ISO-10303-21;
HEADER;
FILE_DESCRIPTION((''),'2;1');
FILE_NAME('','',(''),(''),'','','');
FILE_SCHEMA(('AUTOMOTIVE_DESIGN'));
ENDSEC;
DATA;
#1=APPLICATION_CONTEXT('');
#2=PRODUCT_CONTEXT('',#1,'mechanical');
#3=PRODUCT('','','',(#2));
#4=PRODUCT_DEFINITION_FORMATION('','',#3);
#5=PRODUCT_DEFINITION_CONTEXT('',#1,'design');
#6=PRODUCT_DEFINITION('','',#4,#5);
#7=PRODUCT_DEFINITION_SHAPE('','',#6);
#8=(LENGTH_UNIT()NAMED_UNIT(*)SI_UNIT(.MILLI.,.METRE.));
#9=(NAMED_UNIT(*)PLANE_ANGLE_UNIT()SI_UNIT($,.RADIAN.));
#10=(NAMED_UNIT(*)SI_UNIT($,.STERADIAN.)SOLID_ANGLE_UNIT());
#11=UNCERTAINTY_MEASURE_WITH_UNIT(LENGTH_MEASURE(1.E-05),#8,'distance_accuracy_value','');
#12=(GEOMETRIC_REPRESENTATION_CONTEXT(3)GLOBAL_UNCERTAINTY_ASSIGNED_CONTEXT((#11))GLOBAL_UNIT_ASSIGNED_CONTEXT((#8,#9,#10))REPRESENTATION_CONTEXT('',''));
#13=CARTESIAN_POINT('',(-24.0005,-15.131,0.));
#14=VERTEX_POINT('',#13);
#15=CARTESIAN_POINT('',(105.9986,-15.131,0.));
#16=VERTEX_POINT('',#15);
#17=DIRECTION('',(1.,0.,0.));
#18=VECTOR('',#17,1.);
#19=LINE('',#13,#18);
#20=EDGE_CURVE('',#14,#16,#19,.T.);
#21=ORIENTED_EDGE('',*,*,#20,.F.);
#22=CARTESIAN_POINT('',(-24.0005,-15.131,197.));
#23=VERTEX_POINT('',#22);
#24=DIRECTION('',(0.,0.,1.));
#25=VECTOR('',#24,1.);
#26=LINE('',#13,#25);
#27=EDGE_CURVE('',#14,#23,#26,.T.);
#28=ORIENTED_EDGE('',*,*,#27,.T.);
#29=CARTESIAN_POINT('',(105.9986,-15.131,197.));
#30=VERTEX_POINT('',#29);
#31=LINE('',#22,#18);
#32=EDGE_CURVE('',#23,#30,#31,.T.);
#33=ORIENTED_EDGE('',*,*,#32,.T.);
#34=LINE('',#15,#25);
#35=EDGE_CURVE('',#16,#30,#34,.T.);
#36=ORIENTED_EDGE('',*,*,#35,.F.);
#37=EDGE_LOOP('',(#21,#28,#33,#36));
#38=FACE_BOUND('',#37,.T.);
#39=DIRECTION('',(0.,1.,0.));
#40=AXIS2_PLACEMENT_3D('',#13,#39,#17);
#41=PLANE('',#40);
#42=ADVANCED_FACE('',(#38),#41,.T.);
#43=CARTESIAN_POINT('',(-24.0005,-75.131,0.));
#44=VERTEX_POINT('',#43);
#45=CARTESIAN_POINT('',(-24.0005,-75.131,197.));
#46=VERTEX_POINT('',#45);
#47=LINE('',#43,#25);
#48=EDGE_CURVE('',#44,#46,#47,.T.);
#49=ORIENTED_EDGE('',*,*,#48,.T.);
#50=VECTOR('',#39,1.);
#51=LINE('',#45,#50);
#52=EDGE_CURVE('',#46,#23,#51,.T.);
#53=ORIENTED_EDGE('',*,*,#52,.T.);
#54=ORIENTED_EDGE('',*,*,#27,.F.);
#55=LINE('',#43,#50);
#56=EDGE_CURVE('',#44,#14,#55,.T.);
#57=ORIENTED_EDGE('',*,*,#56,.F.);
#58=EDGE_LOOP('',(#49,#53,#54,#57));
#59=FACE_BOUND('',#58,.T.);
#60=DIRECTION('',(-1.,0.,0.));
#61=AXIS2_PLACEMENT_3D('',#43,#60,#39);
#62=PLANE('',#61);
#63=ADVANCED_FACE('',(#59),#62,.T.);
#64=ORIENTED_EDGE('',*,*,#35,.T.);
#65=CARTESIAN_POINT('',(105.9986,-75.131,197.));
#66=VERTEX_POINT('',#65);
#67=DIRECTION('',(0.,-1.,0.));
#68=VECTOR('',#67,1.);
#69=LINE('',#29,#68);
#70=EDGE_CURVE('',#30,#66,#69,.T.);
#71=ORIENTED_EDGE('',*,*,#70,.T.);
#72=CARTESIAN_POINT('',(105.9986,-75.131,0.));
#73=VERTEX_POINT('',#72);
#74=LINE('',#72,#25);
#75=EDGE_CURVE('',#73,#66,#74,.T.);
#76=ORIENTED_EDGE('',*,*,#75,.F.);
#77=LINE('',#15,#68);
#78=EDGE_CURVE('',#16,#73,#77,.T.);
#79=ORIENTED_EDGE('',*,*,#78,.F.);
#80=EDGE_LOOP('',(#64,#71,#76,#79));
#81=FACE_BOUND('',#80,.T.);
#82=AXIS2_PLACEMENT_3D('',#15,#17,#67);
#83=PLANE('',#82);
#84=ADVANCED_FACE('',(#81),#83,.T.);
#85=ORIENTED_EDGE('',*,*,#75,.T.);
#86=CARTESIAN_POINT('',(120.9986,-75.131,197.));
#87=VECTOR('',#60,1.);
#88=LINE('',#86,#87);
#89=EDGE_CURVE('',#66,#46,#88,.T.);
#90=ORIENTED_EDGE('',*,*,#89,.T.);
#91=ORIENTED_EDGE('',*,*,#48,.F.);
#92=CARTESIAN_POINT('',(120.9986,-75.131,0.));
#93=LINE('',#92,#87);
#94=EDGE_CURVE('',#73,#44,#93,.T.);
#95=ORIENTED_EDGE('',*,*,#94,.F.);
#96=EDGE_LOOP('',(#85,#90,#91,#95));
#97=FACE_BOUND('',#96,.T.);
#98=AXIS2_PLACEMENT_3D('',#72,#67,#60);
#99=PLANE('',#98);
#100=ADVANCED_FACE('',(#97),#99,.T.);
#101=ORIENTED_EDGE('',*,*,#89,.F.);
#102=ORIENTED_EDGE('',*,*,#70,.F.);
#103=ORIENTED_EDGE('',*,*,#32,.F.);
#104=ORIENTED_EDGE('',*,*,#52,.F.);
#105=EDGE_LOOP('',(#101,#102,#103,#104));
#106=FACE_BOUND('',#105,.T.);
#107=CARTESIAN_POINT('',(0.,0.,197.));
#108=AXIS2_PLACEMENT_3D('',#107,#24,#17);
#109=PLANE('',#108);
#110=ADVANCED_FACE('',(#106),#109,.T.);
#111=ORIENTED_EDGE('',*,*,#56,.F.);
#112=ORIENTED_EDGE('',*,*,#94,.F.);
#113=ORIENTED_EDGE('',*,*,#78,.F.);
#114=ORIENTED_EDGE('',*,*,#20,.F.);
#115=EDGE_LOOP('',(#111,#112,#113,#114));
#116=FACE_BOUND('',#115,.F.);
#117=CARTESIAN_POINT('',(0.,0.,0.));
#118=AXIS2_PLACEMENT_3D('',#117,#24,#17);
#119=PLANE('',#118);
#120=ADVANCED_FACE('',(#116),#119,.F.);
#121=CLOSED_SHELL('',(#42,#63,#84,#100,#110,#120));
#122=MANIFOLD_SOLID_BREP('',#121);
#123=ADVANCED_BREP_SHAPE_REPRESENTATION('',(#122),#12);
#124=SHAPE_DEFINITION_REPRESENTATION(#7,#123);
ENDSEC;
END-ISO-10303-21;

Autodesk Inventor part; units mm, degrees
ref_plane "YZ Plane" through (0, 0, 0) normal (1, 0, 0) x (0, 1, 0)
ref_plane "XZ Plane" through (0, 0, 0) normal (0, 1, 0) x (-1, 0, 0)
ref_plane "XY Plane" through (0, 0, 0) normal (0, 0, 1) x (1, 0, 0)
sketch "スケッチ1" plane through (0, 0, 0) normal (0, 0, 1) x (1, 0, 0)
  line L0 (120.9986, 72.869) -> (120.9986, -75.131) projected
  line L1 (-39.0005, 72.869) -> (9.2493, 72.869) projected
  line L2 (-39.0005, -75.131) -> (-39.0005, 72.869) projected
  line L3 (9.2493, 72.869) -> (9.2493, 60.119) projected
  arc A0 (9.2493, 60.119) -> (39.2493, 60.119) centre (24.2493, 60.119) ccw projected
  line L4 (39.2493, 60.119) -> (39.2493, 72.869) projected
  line L5 (39.2493, 72.869) -> (120.9986, 72.869) projected
  line L6 (120.9986, -75.131) -> (-39.0005, -75.131) projected
  line L7 (105.9986, -75.131) -> (-24.0005, -75.131)
  line L8 (-24.0005, -75.131) -> (-24.0005, -15.131)
  line L9 (-24.0005, -15.131) -> (105.9986, -15.131)
  line L10 (105.9986, -15.131) -> (105.9986, -75.131)
  point P0 (0, 0)
  point P1 (-24.0005, -75.131)
  point P2 (105.9986, -75.131)
  dimension "d8" = 15
  dimension "d9" = 15
  dimension "d10" = 60
  dimension "d11" = 0
extrude "押し出し1" add sketch "スケッチ1" along normal blind 197 contours L6 L8 L9 L10
